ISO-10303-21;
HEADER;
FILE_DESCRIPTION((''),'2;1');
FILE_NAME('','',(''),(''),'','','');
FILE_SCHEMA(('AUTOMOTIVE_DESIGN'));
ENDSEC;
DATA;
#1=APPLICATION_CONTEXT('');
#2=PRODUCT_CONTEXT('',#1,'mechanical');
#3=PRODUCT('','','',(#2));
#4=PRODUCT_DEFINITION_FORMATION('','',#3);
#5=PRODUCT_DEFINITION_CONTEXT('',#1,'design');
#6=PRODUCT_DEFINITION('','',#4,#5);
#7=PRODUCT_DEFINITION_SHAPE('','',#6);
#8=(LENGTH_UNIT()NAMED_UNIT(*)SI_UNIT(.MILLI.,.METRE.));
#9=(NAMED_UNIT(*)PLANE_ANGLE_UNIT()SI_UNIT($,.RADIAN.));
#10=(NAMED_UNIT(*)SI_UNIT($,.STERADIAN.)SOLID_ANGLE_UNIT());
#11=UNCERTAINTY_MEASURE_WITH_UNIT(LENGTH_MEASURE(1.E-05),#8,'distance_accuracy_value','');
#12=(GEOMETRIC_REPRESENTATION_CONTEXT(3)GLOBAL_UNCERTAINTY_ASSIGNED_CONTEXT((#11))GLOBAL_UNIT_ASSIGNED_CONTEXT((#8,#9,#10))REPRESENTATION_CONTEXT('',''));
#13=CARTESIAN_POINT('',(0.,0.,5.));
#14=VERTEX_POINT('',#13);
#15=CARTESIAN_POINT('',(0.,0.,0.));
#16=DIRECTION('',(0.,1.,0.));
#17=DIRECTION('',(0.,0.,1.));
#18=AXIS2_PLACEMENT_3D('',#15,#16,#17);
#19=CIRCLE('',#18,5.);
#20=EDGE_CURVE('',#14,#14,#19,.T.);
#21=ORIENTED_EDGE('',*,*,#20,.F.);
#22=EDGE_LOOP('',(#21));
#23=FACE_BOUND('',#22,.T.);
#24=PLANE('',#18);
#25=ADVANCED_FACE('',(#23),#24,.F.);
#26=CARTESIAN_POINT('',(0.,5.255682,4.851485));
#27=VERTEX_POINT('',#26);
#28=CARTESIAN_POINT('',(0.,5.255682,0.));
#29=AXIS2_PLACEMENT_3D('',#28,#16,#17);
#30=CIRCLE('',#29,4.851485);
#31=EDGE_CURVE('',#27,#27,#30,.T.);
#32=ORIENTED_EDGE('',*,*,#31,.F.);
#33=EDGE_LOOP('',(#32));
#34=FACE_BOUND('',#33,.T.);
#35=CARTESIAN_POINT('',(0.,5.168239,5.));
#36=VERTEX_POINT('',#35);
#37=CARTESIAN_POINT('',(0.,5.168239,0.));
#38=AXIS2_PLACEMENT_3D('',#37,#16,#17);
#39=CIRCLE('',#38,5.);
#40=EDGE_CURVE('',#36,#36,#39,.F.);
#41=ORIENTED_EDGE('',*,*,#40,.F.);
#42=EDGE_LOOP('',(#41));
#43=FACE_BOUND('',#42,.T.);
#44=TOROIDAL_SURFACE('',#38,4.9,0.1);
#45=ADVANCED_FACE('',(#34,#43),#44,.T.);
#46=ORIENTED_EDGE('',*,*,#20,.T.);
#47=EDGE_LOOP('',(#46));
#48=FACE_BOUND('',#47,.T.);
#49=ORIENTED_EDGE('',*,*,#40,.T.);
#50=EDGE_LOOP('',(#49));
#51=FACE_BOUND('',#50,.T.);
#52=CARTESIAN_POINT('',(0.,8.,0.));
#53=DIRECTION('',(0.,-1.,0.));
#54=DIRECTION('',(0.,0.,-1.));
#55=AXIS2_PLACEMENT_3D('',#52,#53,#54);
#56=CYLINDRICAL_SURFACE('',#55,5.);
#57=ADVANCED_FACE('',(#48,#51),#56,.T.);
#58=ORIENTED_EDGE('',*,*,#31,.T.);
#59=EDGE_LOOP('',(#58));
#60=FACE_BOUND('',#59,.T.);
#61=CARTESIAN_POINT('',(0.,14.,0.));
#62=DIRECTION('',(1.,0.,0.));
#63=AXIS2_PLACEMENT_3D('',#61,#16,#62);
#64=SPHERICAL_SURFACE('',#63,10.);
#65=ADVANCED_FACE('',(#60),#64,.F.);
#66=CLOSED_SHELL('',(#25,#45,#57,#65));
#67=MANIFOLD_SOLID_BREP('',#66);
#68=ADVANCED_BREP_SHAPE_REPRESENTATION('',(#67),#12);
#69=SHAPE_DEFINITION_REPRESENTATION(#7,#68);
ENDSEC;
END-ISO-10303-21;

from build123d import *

# Parameters (mm, degrees)
SKETCH2_R           = 5
BOSS_EXTRUDE1_DEPTH = 8
FILLET1_R           = 0.1


with BuildPart() as part:
    # Sketch2 → Boss-Extrude1 (new body)
    with BuildSketch(Plane(origin=(0, 0, 0), x_dir=(1, 0, 0), z_dir=(0, 1, 0))):
        Circle(SKETCH2_R)
    extrude(amount=BOSS_EXTRUDE1_DEPTH)

    # Sketch3 one side → Cut-Revolve1 (revolve, cut)
    with BuildSketch(Plane.XY):
        with BuildLine():
            ThreePointArc((0, 4), (7.071067812, 6.928932188), (10, 14))
            ThreePointArc((10, 14), (7.071067812, 21.071067812), (0, 24))
            Line((0, 24), (0, 4))
        make_face()
    revolve(axis=Axis((0, 24, 0), (0, -1, 0)), mode=Mode.SUBTRACT)

    # Fillet1
    fillet1_edges = [part.edges().sort_by_distance(p)[0] for p in [
        (-5, 5.339745962, 0),
    ]]
    fillet(fillet1_edges, radius=FILLET1_R)


solid = part.part
